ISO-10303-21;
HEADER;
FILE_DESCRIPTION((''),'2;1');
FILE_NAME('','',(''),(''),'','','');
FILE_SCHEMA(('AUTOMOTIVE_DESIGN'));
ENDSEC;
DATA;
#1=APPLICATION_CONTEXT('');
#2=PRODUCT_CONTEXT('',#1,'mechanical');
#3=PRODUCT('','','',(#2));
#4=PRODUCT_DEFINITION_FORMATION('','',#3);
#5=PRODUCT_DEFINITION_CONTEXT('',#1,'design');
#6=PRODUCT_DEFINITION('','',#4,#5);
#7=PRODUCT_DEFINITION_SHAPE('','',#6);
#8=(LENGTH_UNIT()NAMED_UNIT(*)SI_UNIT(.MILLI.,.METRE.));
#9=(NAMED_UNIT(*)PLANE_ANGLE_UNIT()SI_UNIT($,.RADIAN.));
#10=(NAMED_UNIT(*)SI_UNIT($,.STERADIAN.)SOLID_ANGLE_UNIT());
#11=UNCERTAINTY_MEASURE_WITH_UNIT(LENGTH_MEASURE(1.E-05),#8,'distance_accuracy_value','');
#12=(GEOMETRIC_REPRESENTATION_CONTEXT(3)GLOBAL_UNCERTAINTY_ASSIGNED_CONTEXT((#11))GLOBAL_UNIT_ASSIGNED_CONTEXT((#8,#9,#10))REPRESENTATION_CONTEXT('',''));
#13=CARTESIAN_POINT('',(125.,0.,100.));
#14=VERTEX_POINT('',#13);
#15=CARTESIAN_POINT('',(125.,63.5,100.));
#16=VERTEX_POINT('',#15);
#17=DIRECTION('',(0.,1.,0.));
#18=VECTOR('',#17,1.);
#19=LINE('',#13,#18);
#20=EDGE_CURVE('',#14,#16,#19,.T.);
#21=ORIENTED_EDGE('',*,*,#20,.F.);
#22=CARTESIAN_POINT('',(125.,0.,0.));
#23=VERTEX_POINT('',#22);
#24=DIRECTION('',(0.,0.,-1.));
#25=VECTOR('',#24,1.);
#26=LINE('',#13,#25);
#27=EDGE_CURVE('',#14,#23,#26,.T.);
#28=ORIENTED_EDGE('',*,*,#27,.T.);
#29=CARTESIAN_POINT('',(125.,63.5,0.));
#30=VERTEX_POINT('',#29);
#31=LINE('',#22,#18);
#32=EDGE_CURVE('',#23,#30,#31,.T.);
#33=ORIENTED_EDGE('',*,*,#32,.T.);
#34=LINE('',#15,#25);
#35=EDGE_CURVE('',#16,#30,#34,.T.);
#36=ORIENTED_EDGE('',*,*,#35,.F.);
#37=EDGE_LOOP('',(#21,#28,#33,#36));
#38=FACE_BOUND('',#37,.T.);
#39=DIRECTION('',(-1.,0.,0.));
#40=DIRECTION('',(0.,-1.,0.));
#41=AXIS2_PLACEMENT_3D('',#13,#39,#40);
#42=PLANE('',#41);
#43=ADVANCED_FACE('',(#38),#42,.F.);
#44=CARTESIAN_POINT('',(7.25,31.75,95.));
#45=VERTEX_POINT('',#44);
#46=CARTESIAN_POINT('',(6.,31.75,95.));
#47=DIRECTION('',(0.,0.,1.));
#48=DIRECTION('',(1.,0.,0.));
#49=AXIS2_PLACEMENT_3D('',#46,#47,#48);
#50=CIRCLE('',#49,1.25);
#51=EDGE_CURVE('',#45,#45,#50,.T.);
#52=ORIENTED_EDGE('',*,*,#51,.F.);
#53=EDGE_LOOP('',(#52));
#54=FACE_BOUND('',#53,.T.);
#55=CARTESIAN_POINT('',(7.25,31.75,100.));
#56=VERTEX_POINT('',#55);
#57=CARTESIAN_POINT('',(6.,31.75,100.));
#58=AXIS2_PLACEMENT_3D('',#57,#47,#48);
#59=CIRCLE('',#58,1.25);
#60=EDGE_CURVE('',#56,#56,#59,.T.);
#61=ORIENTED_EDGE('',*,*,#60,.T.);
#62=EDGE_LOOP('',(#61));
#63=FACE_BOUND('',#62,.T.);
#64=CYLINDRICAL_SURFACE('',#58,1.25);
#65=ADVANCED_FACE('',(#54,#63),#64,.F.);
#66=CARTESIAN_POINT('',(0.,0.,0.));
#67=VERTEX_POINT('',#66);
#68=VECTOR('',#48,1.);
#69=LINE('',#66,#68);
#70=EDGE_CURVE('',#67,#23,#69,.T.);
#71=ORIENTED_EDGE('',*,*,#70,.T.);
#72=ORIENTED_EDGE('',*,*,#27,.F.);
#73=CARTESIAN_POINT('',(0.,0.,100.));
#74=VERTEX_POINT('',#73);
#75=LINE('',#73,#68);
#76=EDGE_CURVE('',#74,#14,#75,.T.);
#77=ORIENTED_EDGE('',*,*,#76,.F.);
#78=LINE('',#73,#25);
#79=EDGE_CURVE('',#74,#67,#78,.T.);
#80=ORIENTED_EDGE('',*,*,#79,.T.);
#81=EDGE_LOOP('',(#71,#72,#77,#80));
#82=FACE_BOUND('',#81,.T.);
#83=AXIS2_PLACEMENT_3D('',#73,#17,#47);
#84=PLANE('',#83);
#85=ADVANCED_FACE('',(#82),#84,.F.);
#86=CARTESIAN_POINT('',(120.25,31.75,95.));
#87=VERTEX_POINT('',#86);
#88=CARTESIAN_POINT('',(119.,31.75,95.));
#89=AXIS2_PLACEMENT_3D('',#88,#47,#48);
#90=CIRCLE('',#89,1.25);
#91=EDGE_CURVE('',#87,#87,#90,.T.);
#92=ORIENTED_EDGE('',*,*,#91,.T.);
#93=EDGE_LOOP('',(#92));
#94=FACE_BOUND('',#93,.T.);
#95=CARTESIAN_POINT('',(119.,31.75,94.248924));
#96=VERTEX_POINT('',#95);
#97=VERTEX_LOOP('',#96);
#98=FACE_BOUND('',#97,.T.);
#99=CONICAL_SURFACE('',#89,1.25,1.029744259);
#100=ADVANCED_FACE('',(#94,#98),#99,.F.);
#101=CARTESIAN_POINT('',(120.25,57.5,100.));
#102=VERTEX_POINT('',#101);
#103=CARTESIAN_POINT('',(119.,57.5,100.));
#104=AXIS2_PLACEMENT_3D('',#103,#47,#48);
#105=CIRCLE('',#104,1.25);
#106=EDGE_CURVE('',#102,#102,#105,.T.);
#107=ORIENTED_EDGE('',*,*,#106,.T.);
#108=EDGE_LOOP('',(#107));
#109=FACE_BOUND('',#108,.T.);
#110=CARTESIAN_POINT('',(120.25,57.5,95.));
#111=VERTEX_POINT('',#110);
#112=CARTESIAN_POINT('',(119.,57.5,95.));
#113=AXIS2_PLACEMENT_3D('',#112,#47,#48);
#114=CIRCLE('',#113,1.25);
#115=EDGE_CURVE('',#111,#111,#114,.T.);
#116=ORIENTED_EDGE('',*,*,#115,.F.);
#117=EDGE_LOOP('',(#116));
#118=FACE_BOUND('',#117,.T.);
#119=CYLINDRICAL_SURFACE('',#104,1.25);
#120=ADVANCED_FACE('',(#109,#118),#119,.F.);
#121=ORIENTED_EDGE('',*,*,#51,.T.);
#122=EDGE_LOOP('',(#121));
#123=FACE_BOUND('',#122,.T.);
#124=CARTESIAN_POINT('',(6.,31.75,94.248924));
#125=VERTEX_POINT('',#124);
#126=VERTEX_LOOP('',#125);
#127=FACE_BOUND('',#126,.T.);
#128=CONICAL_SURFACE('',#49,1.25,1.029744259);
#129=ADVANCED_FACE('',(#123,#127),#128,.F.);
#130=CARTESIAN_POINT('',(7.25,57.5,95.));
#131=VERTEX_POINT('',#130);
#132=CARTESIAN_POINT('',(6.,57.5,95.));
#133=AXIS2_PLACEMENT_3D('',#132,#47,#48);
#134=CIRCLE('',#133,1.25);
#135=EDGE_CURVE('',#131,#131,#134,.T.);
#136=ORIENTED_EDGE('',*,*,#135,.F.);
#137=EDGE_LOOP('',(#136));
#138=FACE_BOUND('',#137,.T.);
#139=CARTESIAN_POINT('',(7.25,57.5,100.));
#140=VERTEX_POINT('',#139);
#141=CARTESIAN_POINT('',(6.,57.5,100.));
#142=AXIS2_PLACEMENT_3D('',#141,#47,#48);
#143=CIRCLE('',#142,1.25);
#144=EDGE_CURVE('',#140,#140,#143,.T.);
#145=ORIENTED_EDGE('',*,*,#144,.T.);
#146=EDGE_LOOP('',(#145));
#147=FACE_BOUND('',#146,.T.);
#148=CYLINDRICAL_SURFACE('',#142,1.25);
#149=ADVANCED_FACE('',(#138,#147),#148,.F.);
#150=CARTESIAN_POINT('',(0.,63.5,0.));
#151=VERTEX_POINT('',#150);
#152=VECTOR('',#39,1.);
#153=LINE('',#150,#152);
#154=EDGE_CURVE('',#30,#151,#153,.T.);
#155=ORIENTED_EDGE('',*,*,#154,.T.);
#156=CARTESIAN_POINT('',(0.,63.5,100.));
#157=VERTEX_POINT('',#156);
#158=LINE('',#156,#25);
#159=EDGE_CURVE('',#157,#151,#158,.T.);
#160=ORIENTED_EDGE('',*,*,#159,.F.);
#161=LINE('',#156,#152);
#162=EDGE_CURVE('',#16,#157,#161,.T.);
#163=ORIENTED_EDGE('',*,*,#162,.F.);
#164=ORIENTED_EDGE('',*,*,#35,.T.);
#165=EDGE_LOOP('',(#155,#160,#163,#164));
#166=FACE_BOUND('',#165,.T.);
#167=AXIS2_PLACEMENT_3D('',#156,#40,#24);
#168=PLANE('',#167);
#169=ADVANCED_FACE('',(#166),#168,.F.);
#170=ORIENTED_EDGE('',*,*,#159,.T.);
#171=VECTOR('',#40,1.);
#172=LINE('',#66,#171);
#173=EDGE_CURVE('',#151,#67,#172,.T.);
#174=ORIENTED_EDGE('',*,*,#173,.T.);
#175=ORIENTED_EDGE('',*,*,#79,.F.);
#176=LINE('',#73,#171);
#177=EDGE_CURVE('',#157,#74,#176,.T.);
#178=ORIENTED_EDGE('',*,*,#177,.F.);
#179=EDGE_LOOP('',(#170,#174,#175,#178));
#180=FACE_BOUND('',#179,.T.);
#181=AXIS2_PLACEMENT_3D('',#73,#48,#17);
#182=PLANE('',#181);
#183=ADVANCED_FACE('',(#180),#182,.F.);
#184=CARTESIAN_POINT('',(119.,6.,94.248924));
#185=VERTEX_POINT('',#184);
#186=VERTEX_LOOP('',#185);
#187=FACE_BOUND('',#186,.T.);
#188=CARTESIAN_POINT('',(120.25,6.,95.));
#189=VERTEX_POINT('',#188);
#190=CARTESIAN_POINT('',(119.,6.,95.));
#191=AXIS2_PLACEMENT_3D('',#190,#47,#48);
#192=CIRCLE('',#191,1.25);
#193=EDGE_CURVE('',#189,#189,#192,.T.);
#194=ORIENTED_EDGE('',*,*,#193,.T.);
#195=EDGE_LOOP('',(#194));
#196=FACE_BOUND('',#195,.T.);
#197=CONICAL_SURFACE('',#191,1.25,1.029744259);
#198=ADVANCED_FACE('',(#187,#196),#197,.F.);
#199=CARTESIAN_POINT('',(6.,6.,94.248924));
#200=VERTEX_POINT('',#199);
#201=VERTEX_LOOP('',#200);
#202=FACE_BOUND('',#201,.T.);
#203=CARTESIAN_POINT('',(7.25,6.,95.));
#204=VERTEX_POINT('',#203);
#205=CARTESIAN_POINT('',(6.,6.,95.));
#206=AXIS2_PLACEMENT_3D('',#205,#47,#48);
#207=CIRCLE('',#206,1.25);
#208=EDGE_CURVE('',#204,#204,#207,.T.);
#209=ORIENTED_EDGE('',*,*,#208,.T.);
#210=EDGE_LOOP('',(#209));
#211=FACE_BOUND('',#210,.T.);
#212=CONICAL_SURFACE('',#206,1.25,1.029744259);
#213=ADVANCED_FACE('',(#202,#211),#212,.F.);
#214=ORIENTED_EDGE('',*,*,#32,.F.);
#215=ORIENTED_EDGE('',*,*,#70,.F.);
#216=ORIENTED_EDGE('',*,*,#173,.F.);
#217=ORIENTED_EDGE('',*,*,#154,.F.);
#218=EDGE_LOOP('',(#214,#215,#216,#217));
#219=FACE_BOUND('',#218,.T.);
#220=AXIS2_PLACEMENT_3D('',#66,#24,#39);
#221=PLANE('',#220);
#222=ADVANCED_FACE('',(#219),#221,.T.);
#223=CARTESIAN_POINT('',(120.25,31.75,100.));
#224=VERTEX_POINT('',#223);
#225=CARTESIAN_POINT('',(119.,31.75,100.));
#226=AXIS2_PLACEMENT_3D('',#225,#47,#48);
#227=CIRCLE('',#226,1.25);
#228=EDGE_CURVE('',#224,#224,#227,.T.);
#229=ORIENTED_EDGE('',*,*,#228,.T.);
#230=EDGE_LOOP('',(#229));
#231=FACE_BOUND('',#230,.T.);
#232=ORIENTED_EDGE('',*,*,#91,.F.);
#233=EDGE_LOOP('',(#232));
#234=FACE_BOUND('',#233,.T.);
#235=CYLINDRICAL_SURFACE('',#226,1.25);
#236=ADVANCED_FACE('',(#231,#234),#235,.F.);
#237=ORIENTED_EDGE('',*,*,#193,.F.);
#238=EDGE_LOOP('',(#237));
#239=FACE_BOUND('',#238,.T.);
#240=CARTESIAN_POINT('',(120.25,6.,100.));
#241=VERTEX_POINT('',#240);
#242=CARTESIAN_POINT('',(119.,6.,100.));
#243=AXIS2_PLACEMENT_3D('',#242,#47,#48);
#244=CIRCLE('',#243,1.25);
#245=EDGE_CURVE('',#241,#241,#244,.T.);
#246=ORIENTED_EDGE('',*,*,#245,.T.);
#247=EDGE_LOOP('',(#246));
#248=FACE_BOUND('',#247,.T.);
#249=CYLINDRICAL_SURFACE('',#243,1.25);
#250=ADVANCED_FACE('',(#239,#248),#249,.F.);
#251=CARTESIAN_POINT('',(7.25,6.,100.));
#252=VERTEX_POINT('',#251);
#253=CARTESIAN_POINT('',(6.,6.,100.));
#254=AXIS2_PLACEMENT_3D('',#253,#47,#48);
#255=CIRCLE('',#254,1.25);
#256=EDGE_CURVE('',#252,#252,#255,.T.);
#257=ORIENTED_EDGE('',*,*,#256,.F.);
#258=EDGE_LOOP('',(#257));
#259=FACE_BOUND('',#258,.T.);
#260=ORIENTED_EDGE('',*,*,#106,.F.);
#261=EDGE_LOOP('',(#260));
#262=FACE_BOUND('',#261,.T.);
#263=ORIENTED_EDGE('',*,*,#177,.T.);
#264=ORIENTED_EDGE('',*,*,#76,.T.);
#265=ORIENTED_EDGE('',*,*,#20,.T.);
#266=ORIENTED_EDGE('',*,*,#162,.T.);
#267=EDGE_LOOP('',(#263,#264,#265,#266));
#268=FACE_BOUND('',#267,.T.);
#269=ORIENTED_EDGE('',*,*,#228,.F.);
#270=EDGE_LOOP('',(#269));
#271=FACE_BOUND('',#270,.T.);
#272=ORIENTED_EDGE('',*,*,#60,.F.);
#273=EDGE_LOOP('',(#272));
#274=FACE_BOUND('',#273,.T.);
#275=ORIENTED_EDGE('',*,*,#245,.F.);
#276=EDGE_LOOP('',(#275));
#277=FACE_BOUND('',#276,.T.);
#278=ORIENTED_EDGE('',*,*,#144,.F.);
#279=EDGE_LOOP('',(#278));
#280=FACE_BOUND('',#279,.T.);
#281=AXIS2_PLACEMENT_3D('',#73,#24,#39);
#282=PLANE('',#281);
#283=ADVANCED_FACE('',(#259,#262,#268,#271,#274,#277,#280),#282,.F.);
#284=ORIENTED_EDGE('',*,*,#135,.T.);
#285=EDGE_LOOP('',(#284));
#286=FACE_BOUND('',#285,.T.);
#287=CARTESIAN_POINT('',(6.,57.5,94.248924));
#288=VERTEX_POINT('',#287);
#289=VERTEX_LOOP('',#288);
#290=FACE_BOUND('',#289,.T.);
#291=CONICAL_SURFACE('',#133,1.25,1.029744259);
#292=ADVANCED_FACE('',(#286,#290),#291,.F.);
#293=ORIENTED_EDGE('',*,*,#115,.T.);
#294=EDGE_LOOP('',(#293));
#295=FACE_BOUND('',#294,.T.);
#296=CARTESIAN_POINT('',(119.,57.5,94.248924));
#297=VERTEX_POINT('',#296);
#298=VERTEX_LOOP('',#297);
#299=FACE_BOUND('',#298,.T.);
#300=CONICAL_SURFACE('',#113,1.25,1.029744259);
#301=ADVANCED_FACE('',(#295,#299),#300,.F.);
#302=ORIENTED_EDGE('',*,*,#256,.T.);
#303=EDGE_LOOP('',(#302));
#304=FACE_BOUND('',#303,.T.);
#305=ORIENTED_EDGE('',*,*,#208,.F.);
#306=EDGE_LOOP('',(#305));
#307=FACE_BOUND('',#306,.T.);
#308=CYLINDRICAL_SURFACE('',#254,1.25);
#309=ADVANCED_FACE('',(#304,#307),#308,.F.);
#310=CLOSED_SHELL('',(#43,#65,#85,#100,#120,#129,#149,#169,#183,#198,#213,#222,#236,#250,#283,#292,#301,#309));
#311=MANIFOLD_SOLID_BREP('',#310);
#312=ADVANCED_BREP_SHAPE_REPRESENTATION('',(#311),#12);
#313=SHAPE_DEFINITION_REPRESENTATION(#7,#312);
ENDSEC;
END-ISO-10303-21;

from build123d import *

# Parameters (mm, degrees)
SKETCH1_W                       = 125
SKETCH1_H                       = 63.5
BOSS_EXTRUDE1_DEPTH             = 100
TAP_DRILL_FOR_M3X0_5_TAP1_D     = 2.5
TAP_DRILL_FOR_M3X0_5_TAP1_DEPTH = 5
TAP_DRILL_FOR_M3X0_5_TAP1_TIP   = 0.751075774


with BuildPart() as part:
    # Sketch1 → Boss-Extrude1 (new body)
    with BuildSketch(Plane.XY):
        with Locations((62.5, 31.75)):
            Rectangle(SKETCH1_W, SKETCH1_H)
    extrude(amount=BOSS_EXTRUDE1_DEPTH)

    # Tap Drill for M3x0.5 Tap1
    with Locations(Plane.XY.offset(100)):
        with Locations((6, 57.5), (119, 57.5), (119, 6), (6, 6), (119, 31.75), (6, 31.75)):
            Hole(TAP_DRILL_FOR_M3X0_5_TAP1_D / 2, depth=TAP_DRILL_FOR_M3X0_5_TAP1_DEPTH)
            with Locations((0, 0, -(TAP_DRILL_FOR_M3X0_5_TAP1_DEPTH + TAP_DRILL_FOR_M3X0_5_TAP1_TIP / 2))):  # 118° drill point
                Cone(0, TAP_DRILL_FOR_M3X0_5_TAP1_D / 2, TAP_DRILL_FOR_M3X0_5_TAP1_TIP, mode=Mode.SUBTRACT)


solid = part.part
